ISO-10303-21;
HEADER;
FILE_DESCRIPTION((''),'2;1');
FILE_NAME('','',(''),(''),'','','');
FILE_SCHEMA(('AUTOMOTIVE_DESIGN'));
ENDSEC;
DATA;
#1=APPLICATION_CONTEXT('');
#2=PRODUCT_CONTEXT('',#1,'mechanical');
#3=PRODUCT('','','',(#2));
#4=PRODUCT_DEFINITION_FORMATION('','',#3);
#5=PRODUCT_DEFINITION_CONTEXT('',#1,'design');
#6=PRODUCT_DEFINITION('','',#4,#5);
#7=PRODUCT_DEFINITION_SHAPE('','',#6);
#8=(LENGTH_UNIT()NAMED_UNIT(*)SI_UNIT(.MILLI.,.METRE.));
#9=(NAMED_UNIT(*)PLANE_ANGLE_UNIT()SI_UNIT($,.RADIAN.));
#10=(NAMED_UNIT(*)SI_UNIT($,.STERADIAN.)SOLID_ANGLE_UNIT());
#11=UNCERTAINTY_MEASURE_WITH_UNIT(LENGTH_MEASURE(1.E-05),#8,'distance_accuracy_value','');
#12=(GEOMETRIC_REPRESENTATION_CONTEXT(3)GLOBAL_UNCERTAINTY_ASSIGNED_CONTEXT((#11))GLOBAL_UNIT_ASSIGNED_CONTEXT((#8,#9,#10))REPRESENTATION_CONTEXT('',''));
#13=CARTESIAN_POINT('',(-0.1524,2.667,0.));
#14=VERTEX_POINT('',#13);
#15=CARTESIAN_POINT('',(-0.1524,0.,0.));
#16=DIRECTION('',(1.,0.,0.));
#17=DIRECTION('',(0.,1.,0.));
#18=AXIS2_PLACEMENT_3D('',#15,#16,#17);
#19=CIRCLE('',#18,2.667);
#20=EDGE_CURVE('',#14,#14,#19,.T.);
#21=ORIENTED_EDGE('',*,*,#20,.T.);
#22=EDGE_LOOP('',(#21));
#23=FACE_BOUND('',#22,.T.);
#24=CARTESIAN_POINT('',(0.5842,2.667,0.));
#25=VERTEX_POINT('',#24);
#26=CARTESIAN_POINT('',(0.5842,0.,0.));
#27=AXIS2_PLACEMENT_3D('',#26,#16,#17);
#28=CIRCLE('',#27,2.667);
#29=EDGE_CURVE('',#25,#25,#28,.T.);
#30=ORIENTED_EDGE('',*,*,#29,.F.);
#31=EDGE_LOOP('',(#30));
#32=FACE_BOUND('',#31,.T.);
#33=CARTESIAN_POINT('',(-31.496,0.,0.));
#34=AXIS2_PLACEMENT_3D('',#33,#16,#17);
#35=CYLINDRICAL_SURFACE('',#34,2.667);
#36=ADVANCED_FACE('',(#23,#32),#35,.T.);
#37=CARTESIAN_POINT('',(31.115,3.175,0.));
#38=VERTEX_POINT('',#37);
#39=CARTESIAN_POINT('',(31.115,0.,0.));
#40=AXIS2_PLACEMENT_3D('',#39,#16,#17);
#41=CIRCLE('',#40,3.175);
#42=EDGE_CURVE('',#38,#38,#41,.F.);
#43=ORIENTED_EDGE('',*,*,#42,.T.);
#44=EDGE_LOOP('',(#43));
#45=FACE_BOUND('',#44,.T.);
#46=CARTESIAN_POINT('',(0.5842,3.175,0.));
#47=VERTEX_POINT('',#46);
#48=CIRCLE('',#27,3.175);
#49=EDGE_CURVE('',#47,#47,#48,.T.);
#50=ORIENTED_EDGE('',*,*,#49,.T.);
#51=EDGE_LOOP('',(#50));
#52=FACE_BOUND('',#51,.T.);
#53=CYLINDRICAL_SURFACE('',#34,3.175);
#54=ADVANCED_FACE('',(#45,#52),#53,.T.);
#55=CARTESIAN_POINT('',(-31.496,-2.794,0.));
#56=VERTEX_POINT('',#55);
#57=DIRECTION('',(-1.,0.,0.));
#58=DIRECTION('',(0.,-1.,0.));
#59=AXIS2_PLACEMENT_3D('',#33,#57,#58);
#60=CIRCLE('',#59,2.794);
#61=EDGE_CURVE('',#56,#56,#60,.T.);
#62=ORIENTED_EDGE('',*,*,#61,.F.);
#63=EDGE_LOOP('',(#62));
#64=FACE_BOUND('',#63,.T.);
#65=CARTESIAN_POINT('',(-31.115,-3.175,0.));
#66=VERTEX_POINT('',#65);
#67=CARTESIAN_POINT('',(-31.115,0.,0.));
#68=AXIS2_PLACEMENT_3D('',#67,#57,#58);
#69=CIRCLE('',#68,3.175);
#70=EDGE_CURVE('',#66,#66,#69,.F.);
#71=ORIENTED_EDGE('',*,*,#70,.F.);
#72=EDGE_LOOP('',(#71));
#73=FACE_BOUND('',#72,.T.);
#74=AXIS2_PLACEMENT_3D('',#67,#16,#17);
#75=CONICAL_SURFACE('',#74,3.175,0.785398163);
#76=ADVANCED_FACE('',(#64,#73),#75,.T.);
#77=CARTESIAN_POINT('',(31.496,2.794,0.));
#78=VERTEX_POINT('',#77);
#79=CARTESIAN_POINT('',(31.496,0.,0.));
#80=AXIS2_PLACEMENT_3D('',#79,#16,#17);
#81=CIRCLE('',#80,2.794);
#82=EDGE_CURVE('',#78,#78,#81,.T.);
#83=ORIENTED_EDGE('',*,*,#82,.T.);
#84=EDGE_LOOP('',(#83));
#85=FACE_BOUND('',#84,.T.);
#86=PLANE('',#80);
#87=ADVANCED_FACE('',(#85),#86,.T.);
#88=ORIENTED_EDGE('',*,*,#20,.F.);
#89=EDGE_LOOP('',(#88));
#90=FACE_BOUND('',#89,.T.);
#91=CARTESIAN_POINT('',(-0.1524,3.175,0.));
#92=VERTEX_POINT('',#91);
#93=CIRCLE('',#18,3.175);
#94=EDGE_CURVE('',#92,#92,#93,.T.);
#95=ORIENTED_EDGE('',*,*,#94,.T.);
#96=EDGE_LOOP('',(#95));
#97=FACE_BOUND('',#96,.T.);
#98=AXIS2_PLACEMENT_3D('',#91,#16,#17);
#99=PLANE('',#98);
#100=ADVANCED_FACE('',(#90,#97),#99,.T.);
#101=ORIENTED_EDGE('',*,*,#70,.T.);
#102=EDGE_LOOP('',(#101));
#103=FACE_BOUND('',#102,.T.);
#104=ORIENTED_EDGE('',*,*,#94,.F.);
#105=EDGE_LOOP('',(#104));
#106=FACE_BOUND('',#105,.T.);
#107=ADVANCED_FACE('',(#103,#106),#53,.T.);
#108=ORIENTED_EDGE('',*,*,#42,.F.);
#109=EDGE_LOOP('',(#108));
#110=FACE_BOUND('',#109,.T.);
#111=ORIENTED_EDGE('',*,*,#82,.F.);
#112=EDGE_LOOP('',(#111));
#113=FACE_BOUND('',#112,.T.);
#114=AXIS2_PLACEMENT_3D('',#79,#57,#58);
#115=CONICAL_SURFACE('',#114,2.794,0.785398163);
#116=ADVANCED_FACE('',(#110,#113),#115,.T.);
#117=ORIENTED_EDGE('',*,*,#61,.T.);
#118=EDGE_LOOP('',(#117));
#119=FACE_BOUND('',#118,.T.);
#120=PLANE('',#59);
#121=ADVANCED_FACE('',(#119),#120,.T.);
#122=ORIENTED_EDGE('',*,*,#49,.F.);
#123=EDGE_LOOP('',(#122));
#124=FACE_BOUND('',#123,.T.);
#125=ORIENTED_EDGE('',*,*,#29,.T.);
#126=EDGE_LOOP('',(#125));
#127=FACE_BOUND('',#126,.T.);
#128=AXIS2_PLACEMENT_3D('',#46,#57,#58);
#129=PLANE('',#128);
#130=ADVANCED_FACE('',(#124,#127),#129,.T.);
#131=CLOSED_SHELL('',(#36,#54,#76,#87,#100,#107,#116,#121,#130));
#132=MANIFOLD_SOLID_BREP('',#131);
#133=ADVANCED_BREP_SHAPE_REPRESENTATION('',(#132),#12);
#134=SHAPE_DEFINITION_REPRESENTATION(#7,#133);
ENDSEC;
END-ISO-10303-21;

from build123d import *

# Parameters (mm, degrees)
CHAMFER1_SIZE = 0.381


with BuildPart() as part:
    # Sketch2 → Revolve1 (revolve)
    with BuildSketch(Plane.XY):
        Polygon((-31.496, 0), (31.496, 0), (31.496, 3.175), (0.5842, 3.175), (0.5842, 2.667), (-0.1524, 2.667), (-0.1524, 3.175), (-31.496, 3.175), align=None)
    revolve(axis=Axis((-31.496, 0, 0), (-1, 0, 0)))

    # Chamfer1
    chamfer1_edges = [part.edges().sort_by_distance(p)[0] for p in [
        (31.496, -3.175, 0),
        (-31.496, -3.175, 0),
    ]]
    chamfer(chamfer1_edges, length=CHAMFER1_SIZE)


solid = part.part
